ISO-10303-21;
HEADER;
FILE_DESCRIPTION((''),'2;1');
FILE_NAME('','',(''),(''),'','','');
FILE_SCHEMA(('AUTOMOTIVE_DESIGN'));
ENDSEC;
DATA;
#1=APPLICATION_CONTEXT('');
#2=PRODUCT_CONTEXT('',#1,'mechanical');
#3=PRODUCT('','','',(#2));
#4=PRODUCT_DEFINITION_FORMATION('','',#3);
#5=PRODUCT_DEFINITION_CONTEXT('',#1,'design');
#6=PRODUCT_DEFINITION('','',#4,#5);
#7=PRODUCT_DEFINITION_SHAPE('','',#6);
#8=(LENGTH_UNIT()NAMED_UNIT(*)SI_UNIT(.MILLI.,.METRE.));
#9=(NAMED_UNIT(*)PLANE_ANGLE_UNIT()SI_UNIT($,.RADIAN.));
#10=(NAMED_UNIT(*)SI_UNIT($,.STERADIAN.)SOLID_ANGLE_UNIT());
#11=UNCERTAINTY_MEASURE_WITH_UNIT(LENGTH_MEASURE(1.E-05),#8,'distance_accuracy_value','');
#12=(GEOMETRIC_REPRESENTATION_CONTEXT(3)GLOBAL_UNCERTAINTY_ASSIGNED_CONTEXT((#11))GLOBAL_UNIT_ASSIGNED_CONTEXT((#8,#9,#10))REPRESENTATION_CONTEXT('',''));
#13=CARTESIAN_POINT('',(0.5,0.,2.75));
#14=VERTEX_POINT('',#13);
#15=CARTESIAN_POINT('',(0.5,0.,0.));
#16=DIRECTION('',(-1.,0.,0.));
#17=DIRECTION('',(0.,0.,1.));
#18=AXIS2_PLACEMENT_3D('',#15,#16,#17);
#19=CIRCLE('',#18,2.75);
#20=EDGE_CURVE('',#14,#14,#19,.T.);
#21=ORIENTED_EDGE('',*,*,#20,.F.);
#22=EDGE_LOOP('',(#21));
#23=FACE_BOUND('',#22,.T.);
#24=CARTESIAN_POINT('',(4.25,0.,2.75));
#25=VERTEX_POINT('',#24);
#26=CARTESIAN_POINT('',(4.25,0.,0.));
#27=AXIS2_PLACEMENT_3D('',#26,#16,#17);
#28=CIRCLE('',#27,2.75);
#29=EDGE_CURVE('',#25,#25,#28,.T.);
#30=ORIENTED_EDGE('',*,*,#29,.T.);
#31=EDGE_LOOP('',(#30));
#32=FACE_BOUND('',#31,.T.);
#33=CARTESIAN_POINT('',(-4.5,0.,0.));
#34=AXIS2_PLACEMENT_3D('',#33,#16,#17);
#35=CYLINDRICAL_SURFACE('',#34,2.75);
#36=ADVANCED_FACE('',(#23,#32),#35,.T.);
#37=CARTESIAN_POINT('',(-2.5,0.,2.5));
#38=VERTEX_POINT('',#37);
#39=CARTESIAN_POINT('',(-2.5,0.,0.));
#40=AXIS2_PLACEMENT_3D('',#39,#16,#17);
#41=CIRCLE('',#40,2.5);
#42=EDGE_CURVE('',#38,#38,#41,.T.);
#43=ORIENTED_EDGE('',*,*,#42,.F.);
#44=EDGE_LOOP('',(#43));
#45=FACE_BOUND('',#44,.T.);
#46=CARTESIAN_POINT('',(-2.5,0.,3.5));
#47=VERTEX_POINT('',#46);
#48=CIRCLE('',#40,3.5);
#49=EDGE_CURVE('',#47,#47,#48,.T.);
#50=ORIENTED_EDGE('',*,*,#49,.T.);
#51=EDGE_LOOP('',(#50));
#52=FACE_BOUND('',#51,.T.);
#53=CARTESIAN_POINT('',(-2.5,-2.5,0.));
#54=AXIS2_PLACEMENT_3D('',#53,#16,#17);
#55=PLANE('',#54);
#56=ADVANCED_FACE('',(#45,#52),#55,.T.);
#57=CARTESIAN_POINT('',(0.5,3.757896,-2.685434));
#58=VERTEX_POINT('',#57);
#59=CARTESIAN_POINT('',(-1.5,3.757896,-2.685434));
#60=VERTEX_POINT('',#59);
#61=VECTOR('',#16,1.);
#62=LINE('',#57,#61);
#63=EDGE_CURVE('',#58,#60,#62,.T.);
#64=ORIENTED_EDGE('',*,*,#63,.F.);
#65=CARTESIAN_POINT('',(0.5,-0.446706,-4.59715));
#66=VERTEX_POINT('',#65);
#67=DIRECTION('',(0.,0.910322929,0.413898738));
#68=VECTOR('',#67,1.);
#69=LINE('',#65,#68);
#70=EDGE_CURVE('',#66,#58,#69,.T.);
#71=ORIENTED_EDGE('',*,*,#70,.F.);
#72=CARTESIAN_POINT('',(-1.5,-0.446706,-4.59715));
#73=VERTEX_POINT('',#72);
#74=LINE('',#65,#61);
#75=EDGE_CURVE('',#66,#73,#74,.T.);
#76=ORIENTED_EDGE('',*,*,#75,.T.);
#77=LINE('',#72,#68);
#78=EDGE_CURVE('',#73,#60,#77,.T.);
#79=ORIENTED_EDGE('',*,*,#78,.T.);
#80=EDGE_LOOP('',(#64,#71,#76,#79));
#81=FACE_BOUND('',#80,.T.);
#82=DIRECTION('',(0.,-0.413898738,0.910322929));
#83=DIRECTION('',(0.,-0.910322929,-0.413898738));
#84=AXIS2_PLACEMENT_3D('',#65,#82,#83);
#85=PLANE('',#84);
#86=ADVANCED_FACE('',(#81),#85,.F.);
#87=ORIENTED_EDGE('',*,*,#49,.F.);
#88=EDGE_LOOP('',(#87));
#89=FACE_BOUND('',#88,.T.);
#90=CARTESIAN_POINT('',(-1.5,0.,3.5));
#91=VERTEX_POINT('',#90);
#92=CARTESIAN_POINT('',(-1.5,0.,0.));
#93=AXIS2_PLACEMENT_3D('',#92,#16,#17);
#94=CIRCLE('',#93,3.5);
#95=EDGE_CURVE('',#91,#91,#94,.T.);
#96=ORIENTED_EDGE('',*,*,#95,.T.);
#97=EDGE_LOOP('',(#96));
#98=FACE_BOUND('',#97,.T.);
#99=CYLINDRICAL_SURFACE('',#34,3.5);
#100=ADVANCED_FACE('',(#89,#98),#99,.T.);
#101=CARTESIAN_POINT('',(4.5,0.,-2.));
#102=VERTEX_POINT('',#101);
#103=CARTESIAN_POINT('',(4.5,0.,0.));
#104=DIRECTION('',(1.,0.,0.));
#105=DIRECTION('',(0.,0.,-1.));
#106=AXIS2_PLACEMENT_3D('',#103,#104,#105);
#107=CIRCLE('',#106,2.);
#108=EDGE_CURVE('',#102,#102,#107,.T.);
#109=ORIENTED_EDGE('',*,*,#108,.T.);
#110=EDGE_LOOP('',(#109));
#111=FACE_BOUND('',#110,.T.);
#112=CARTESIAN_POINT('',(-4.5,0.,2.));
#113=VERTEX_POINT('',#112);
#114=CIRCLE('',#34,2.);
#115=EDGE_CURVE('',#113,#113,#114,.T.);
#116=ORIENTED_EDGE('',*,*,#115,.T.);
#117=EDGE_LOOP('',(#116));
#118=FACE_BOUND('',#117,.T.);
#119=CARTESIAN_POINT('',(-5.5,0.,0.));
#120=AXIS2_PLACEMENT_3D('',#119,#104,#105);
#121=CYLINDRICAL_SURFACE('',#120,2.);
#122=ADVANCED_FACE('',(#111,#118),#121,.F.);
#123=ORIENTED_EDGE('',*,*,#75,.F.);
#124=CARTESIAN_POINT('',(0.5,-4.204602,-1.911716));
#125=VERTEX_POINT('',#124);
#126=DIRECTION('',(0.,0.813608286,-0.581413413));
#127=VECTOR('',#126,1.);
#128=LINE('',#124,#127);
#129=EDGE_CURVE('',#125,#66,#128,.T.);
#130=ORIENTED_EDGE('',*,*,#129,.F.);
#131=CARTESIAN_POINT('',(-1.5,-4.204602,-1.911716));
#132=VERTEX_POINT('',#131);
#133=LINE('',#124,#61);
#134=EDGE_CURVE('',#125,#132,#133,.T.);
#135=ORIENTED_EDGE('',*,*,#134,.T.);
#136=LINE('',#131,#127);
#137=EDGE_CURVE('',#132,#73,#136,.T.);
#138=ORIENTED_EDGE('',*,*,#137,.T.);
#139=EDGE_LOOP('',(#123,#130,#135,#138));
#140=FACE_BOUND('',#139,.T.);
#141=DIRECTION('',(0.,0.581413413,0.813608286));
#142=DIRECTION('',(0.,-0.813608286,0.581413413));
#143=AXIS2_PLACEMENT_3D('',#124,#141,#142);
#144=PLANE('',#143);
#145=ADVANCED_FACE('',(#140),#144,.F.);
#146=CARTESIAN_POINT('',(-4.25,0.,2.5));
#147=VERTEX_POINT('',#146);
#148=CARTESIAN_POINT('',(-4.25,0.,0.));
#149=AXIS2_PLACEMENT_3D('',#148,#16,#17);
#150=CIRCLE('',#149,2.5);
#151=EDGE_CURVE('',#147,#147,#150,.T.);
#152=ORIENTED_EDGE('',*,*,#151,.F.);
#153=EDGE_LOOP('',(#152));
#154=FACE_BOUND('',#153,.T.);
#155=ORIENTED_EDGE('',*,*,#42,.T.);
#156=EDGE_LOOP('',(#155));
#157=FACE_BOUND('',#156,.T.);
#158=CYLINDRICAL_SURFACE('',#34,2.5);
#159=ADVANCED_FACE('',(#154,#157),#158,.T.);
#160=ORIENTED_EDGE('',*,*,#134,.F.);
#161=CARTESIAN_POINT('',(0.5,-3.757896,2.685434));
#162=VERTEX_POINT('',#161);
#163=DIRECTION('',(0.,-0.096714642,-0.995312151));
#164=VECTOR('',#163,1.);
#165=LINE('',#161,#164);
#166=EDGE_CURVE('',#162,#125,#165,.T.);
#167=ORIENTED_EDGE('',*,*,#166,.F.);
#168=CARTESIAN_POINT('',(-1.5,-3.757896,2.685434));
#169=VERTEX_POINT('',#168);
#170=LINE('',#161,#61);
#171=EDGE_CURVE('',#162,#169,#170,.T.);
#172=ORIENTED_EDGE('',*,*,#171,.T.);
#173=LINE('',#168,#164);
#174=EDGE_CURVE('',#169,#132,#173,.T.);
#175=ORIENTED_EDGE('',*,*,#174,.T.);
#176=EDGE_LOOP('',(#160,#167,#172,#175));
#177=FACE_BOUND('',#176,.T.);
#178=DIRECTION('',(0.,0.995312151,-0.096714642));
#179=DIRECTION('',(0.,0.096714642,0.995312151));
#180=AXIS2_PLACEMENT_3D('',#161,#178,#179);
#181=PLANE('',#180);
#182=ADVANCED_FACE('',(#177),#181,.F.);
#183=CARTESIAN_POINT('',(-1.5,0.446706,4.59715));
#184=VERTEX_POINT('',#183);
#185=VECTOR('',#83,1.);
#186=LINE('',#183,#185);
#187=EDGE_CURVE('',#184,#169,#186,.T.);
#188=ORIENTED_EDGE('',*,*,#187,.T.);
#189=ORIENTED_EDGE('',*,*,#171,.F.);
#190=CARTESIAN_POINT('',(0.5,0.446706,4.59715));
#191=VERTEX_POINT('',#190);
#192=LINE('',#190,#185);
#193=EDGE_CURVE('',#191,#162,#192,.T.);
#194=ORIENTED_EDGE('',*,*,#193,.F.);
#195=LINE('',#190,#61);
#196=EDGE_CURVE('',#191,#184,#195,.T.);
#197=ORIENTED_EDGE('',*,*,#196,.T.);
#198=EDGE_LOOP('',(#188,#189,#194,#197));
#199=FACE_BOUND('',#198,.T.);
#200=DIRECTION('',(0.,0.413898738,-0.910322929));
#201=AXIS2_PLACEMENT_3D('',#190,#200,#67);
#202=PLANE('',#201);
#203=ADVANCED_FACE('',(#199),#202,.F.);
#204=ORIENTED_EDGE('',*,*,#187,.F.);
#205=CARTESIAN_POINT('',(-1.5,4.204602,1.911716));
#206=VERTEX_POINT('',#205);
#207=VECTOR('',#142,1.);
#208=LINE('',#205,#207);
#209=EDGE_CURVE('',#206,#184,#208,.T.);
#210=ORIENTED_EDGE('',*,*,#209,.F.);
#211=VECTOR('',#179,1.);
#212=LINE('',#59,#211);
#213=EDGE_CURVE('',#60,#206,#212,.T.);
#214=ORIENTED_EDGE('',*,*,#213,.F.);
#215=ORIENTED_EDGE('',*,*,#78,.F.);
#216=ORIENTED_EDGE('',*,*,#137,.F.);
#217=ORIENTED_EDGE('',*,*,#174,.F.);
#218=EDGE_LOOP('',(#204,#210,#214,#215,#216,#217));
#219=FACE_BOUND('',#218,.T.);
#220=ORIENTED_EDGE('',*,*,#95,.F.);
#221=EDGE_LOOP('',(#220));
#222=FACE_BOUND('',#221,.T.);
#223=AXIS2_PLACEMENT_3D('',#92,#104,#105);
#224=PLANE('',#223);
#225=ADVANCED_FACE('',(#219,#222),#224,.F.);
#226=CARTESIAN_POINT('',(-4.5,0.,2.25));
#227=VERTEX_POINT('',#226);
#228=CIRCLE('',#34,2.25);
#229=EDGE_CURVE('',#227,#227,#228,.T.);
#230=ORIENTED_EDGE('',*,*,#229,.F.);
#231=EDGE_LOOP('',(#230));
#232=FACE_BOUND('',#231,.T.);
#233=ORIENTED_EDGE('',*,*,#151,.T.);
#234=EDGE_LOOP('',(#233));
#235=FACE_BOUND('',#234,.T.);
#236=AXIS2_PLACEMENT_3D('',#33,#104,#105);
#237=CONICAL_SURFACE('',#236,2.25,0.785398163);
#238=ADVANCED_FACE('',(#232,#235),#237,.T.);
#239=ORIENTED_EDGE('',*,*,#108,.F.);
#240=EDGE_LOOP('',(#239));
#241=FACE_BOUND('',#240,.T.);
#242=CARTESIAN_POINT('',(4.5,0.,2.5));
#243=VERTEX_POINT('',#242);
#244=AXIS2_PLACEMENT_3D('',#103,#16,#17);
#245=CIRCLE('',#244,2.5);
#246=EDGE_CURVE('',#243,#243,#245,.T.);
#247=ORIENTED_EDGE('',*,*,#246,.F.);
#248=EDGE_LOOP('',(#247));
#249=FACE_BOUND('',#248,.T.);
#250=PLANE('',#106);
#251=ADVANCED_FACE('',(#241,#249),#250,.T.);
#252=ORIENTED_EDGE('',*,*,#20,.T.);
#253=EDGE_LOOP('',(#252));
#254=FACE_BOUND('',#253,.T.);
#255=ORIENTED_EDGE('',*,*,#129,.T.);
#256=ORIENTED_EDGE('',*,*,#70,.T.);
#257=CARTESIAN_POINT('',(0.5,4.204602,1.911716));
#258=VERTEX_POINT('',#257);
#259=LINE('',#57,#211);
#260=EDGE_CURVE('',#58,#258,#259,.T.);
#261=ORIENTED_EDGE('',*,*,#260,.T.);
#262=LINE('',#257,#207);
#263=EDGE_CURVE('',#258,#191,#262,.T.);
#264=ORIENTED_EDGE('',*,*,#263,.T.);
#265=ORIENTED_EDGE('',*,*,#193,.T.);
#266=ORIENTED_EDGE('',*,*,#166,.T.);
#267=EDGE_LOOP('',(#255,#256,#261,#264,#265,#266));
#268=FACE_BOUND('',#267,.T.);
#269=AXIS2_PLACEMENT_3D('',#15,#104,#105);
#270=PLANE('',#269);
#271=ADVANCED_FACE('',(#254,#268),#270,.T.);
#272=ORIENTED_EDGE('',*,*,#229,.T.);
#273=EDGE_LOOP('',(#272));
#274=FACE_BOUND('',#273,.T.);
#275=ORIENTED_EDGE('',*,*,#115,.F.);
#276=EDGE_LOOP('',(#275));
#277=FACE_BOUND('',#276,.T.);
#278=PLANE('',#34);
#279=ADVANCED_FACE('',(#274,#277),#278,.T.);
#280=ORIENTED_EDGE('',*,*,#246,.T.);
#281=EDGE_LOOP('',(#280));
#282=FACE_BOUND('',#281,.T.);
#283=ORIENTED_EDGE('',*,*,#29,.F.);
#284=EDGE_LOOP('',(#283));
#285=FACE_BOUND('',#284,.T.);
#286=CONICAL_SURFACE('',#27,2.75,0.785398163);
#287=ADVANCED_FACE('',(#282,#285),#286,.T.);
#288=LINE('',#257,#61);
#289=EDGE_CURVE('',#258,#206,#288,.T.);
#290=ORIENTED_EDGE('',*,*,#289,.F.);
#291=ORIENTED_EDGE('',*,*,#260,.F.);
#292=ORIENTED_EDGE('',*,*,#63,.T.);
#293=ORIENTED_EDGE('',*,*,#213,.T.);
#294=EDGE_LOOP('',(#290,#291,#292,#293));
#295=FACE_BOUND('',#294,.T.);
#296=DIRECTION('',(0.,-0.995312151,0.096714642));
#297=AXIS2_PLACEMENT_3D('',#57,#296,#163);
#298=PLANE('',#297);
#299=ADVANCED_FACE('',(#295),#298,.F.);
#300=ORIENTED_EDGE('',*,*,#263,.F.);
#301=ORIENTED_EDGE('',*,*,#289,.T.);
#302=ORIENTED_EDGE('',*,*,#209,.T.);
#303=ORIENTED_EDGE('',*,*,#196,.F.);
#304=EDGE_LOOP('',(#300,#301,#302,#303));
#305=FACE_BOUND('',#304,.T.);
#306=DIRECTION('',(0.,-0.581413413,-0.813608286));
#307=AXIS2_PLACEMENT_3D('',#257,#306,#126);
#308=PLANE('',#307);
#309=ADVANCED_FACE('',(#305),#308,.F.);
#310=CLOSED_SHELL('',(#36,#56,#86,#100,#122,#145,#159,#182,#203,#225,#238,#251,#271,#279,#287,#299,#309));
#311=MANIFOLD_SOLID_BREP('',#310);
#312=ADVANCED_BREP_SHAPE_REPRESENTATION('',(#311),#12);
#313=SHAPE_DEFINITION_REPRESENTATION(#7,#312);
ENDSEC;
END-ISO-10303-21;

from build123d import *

# Parameters (mm, degrees)
BOSS_EXTRUDE2_DEPTH = 2
SKETCH9_R           = 2
CUT_EXTRUDE1_DEPTH  = 10


with BuildPart() as part:
    # Sketch1 → Revolve1 (revolve)
    with BuildSketch(Plane.XY):
        Polygon((-4.5, 0), (-1.5, 0), (-1.5, -3.5), (-2.5, -3.5), (-2.5, -2.5), (-4.25, -2.5), (-4.5, -2.25), align=None)
        Polygon((0.5, -2.75), (4.25, -2.75), (4.5, -2.5), (4.5, 0), (0.5, 0), align=None)
    revolve(axis=Axis((-4.5, 0, 0), (1, 0, 0)))

    # Sketch5 → Boss-Extrude2 (add)
    with BuildSketch(Plane(origin=(-1.5, 0, 0), x_dir=(0, 0, -1), z_dir=(1, 0, 0))):
        Polygon((1.911716384, -4.204601503), (4.597149907, -0.446705798), (2.685433523, 3.757895705), (-1.911716384, 4.204601503), (-4.597149907, 0.446705798), (-2.685433523, -3.757895705), align=None)
    extrude(amount=BOSS_EXTRUDE2_DEPTH)

    # Sketch9 → Cut-Extrude1 (cut)
    with BuildSketch(Plane(origin=(4.5, 0, 0), x_dir=(0, 0, -1), z_dir=(1, 0, 0))):
        Circle(SKETCH9_R)
    extrude(amount=-CUT_EXTRUDE1_DEPTH, mode=Mode.SUBTRACT)


solid = part.part
